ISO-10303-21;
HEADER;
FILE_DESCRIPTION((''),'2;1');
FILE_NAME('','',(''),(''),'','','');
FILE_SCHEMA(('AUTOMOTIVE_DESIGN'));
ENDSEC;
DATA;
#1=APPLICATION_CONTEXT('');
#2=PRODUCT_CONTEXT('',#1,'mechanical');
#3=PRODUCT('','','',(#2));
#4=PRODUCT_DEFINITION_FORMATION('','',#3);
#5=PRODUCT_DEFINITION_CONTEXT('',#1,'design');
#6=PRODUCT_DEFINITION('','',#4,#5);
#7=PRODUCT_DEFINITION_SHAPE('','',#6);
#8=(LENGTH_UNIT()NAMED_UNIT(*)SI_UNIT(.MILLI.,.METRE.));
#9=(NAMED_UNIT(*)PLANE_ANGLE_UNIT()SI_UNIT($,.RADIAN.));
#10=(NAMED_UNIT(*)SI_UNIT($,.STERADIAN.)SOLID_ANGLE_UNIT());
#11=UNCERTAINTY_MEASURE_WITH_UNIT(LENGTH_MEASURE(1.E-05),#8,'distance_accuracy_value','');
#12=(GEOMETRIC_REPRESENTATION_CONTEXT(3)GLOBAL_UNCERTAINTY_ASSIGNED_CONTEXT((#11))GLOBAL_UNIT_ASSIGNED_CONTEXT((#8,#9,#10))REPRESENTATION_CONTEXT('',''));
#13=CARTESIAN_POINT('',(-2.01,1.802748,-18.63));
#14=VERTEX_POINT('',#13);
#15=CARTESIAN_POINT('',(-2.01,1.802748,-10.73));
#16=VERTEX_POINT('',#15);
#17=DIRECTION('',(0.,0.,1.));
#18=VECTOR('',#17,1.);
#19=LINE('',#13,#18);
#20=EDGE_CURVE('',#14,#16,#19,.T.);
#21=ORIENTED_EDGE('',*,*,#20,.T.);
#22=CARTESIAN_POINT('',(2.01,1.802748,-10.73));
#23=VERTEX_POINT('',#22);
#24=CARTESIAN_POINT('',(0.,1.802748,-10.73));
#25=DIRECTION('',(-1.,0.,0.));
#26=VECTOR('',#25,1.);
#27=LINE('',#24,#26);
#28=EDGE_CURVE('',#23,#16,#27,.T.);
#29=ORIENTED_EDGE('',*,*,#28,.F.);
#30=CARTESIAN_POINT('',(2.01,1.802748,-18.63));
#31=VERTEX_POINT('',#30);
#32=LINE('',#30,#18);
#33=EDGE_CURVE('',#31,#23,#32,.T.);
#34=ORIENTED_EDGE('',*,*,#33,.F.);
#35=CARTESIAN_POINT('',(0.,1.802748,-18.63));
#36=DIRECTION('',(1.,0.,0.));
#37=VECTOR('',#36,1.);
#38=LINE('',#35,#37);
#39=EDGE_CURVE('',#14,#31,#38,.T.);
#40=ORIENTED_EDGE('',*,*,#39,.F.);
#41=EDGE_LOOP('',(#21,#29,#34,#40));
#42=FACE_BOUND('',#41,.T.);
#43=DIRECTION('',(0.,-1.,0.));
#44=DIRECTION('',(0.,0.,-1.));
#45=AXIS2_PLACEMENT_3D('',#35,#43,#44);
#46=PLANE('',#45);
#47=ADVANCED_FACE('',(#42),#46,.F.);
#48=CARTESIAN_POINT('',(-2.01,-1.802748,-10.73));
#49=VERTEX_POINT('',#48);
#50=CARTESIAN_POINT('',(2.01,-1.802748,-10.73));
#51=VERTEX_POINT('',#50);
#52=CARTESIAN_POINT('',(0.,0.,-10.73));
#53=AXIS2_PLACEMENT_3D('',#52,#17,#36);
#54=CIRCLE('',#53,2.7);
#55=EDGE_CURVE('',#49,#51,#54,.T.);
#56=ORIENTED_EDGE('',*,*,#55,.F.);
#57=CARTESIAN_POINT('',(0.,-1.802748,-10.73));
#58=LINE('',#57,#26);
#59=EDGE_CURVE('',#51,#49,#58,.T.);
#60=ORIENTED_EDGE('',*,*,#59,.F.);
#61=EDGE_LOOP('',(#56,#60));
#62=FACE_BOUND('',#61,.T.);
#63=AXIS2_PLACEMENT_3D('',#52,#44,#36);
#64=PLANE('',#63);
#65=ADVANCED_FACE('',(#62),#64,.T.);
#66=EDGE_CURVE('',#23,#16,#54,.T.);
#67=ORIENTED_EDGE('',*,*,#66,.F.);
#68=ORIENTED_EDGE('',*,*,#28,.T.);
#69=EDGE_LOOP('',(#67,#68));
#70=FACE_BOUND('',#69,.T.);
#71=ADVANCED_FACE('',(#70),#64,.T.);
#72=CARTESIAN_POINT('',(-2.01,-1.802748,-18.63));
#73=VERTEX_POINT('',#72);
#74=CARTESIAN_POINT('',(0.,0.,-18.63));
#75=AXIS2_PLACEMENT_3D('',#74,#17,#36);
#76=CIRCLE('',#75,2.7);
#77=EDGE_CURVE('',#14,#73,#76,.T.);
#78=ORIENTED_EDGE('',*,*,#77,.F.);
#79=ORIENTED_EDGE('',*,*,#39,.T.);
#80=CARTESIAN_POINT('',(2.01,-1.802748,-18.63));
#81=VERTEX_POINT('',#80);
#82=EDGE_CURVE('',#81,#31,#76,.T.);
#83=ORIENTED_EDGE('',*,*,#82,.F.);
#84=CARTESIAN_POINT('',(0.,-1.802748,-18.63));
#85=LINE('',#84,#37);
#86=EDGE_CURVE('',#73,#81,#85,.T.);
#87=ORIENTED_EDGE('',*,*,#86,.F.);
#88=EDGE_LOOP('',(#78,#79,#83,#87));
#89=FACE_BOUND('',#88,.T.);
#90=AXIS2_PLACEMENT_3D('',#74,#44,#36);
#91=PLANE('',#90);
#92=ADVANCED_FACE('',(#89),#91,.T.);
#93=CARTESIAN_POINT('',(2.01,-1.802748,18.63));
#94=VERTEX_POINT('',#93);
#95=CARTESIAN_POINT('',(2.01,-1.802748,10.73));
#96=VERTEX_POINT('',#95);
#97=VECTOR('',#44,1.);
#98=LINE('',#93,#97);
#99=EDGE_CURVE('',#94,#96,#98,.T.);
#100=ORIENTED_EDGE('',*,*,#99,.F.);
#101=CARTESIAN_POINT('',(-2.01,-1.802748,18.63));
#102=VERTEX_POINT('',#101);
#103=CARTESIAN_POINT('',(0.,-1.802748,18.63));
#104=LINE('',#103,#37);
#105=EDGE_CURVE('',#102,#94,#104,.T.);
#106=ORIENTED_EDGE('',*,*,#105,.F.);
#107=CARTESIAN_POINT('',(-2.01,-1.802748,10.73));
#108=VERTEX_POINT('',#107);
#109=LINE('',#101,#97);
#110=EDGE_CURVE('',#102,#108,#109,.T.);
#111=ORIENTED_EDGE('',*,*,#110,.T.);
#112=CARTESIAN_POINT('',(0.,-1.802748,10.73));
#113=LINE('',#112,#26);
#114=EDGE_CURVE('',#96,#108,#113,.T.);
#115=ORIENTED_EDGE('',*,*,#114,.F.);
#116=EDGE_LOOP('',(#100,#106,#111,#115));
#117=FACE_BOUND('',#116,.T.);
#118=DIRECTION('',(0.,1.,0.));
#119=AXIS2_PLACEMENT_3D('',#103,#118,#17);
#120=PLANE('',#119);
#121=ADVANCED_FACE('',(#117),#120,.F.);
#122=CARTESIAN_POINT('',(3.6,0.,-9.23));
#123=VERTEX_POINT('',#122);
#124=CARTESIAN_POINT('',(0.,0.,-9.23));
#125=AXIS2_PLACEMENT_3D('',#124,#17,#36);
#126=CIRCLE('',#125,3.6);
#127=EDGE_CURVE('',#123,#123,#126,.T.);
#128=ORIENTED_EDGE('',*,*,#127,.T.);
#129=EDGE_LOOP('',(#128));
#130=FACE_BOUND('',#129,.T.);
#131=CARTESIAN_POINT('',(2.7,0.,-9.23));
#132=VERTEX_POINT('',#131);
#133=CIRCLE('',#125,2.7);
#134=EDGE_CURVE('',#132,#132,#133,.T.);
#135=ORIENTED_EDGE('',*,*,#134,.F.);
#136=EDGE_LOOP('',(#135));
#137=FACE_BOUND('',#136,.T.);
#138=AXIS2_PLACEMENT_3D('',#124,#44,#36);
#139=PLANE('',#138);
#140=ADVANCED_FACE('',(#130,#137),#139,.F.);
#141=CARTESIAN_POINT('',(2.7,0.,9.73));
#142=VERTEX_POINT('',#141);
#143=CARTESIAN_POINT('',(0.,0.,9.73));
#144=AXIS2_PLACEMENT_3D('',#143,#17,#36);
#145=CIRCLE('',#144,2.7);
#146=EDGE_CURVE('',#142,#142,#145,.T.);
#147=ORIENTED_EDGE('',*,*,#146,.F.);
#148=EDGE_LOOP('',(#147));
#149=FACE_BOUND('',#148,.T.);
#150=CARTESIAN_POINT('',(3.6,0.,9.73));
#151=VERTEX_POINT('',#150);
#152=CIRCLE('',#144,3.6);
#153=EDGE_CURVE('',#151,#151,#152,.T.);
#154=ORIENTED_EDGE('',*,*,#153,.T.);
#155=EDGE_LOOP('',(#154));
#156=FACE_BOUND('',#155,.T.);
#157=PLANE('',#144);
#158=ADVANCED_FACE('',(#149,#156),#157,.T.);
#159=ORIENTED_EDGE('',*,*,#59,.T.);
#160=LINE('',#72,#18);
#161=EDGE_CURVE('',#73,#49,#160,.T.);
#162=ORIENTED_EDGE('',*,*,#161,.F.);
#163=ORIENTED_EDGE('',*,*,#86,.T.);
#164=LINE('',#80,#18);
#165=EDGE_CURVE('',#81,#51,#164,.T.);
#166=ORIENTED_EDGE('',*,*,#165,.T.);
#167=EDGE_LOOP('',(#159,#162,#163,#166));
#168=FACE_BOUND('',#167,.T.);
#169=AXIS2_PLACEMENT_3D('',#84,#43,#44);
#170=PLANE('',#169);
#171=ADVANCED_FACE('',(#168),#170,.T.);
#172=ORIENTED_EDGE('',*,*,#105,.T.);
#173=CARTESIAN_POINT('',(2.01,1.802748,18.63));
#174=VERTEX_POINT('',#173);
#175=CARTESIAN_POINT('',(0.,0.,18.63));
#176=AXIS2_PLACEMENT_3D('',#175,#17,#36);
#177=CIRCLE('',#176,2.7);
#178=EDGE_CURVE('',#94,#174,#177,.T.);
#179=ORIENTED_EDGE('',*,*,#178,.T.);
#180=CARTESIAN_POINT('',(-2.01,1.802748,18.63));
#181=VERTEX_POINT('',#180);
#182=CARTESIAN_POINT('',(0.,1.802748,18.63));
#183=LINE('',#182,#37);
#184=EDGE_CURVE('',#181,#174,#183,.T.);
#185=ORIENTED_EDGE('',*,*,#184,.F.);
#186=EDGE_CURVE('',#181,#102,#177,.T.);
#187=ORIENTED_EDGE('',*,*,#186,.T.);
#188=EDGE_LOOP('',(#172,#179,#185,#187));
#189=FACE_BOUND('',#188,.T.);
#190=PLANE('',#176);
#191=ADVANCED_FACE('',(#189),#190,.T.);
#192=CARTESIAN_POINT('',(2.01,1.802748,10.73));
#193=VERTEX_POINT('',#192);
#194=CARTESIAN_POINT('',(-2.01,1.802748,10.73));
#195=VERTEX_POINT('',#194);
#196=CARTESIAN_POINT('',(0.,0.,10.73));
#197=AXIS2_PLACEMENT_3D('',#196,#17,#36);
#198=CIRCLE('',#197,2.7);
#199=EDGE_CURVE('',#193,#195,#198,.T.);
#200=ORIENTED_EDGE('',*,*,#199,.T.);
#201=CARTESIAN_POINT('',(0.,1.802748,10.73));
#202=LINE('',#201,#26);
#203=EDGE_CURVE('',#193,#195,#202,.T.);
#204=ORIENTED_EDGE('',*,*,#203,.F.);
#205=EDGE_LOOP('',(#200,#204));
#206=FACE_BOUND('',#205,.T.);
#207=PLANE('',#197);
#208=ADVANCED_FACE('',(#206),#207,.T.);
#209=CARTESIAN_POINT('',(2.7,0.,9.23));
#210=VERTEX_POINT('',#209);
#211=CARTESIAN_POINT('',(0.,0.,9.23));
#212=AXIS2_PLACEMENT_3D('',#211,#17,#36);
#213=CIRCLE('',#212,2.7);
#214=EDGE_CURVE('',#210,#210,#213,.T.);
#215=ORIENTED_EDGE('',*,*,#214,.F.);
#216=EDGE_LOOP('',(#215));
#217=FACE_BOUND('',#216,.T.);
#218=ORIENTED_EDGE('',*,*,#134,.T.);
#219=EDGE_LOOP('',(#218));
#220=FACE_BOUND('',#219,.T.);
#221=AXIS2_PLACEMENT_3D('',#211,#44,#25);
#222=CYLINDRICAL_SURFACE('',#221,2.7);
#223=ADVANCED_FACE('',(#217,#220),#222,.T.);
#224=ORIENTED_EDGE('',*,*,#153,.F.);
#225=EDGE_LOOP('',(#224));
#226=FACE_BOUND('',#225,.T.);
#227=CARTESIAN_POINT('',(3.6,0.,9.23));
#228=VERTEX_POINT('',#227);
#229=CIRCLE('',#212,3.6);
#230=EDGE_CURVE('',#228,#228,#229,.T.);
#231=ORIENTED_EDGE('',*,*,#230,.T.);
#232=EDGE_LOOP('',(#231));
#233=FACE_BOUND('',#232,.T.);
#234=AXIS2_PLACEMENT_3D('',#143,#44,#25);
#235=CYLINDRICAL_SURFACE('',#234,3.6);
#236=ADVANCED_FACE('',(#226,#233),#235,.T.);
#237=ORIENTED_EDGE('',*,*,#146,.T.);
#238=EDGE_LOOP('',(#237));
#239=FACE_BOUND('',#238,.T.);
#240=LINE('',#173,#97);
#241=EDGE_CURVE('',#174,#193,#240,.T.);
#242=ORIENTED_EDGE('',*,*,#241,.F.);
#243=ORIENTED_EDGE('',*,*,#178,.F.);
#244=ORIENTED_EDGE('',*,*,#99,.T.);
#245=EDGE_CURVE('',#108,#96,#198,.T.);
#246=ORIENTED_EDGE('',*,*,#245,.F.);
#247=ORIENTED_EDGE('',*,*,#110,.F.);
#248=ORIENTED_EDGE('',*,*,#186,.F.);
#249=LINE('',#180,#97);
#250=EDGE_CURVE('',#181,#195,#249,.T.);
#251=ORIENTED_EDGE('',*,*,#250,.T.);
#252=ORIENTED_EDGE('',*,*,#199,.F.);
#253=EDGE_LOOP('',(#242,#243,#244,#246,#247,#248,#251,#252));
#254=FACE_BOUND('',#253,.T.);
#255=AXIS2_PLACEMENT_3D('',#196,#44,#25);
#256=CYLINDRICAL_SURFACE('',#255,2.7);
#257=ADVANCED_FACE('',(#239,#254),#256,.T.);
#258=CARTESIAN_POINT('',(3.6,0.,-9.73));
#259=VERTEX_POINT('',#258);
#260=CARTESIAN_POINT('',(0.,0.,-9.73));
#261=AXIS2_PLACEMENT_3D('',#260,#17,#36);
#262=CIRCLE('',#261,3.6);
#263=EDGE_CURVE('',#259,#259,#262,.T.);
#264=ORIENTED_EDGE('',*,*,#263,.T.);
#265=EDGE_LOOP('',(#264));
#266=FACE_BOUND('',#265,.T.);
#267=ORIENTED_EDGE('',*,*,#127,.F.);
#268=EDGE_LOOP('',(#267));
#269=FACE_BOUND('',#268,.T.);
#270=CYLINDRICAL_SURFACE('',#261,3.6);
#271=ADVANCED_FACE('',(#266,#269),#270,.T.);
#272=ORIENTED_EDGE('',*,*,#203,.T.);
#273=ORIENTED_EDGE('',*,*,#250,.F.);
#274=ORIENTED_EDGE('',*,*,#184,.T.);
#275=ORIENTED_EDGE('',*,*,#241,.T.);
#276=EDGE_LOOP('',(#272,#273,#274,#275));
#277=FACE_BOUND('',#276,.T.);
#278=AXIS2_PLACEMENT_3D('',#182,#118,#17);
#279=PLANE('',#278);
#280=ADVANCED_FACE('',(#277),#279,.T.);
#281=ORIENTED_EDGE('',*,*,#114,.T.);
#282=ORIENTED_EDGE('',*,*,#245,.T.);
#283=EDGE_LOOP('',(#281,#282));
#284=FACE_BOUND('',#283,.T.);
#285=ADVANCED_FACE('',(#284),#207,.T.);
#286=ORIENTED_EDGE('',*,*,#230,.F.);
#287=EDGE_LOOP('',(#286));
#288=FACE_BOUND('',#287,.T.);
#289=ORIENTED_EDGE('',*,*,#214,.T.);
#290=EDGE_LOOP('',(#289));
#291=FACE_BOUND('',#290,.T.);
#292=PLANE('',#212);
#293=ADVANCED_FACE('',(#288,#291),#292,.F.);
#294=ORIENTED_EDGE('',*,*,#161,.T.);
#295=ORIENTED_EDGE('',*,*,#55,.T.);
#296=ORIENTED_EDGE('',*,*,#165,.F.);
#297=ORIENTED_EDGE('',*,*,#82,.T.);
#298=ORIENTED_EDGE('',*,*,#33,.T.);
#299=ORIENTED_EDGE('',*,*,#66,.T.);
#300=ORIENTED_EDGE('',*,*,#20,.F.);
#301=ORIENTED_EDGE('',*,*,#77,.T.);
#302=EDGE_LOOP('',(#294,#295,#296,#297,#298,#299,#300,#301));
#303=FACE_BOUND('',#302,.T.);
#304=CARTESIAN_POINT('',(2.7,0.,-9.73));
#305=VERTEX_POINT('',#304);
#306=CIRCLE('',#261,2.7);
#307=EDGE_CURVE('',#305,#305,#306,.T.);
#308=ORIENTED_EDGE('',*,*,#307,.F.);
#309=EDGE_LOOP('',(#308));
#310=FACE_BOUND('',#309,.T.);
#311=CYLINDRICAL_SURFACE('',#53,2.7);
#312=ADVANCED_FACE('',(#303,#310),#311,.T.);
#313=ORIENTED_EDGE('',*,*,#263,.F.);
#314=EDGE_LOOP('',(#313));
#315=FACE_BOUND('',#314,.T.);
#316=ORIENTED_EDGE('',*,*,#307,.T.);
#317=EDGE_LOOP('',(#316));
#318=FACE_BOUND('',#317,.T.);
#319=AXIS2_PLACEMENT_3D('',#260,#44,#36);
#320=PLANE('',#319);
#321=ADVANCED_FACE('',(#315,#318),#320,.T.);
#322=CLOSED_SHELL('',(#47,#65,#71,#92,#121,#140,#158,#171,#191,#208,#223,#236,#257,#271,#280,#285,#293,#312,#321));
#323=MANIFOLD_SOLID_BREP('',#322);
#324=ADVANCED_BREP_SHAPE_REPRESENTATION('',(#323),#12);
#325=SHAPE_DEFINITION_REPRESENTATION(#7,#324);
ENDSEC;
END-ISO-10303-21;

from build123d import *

# Parameters (mm, degrees)
SKETCH1_R           = 2.7
BOSS_EXTRUDE1_DEPTH = 9.23
SKETCH2_R           = 3.6
BOSS_EXTRUDE2_DEPTH = 0.5
SKETCH3_R           = 2.7
BOSS_EXTRUDE3_DEPTH = 1
BOSS_EXTRUDE4_DEPTH = 8.9


with BuildPart() as part:
    # Sketch1 → Boss-Extrude1 (new, symmetric)
    with BuildSketch(Plane.XY):
        Circle(SKETCH1_R)
    extrude(amount=BOSS_EXTRUDE1_DEPTH, both=True)

    # Sketch2 → Boss-Extrude2 (add)
    with BuildSketch(Plane.XY.offset(9.23)):
        Circle(SKETCH2_R)
    boss_extrude2 = extrude(amount=BOSS_EXTRUDE2_DEPTH)

    # Sketch3 → Boss-Extrude3 (add)
    with BuildSketch(Plane.XY.offset(9.73)):
        Circle(SKETCH3_R)
    boss_extrude3 = extrude(amount=BOSS_EXTRUDE3_DEPTH)

    # Sketch3_3 → Boss-Extrude4 (add)
    with BuildSketch(Plane.XY.offset(9.73)):
        with BuildLine():
            ThreePointArc((-2.01, 1.802747903), (-2.521606631, 0.965142477), (-2.7, 0))
            Line((-2.7, 0), (2.7, 0))
            ThreePointArc((2.7, 0), (2.521606631, 0.965142477), (2.01, 1.802747903))
            Line((2.01, 1.802747903), (-2.01, 1.802747903))
        make_face()
        with BuildLine():
            Line((2.7, 0), (-2.7, 0))
            ThreePointArc((-2.7, 0), (-2.521606631, -0.965142477), (-2.01, -1.802747903))
            Line((-2.01, -1.802747903), (2.01, -1.802747903))
            ThreePointArc((2.01, -1.802747903), (2.521606631, -0.965142477), (2.7, 0))
        make_face()
    boss_extrude4 = extrude(amount=BOSS_EXTRUDE4_DEPTH)

    # Mirror1: Boss-Extrude2, Boss-Extrude3, Boss-Extrude4 across plane
    add(boss_extrude2.mirror(Plane.XY))
    add(boss_extrude3.mirror(Plane.XY))
    add(boss_extrude4.mirror(Plane.XY))


solid = part.part
